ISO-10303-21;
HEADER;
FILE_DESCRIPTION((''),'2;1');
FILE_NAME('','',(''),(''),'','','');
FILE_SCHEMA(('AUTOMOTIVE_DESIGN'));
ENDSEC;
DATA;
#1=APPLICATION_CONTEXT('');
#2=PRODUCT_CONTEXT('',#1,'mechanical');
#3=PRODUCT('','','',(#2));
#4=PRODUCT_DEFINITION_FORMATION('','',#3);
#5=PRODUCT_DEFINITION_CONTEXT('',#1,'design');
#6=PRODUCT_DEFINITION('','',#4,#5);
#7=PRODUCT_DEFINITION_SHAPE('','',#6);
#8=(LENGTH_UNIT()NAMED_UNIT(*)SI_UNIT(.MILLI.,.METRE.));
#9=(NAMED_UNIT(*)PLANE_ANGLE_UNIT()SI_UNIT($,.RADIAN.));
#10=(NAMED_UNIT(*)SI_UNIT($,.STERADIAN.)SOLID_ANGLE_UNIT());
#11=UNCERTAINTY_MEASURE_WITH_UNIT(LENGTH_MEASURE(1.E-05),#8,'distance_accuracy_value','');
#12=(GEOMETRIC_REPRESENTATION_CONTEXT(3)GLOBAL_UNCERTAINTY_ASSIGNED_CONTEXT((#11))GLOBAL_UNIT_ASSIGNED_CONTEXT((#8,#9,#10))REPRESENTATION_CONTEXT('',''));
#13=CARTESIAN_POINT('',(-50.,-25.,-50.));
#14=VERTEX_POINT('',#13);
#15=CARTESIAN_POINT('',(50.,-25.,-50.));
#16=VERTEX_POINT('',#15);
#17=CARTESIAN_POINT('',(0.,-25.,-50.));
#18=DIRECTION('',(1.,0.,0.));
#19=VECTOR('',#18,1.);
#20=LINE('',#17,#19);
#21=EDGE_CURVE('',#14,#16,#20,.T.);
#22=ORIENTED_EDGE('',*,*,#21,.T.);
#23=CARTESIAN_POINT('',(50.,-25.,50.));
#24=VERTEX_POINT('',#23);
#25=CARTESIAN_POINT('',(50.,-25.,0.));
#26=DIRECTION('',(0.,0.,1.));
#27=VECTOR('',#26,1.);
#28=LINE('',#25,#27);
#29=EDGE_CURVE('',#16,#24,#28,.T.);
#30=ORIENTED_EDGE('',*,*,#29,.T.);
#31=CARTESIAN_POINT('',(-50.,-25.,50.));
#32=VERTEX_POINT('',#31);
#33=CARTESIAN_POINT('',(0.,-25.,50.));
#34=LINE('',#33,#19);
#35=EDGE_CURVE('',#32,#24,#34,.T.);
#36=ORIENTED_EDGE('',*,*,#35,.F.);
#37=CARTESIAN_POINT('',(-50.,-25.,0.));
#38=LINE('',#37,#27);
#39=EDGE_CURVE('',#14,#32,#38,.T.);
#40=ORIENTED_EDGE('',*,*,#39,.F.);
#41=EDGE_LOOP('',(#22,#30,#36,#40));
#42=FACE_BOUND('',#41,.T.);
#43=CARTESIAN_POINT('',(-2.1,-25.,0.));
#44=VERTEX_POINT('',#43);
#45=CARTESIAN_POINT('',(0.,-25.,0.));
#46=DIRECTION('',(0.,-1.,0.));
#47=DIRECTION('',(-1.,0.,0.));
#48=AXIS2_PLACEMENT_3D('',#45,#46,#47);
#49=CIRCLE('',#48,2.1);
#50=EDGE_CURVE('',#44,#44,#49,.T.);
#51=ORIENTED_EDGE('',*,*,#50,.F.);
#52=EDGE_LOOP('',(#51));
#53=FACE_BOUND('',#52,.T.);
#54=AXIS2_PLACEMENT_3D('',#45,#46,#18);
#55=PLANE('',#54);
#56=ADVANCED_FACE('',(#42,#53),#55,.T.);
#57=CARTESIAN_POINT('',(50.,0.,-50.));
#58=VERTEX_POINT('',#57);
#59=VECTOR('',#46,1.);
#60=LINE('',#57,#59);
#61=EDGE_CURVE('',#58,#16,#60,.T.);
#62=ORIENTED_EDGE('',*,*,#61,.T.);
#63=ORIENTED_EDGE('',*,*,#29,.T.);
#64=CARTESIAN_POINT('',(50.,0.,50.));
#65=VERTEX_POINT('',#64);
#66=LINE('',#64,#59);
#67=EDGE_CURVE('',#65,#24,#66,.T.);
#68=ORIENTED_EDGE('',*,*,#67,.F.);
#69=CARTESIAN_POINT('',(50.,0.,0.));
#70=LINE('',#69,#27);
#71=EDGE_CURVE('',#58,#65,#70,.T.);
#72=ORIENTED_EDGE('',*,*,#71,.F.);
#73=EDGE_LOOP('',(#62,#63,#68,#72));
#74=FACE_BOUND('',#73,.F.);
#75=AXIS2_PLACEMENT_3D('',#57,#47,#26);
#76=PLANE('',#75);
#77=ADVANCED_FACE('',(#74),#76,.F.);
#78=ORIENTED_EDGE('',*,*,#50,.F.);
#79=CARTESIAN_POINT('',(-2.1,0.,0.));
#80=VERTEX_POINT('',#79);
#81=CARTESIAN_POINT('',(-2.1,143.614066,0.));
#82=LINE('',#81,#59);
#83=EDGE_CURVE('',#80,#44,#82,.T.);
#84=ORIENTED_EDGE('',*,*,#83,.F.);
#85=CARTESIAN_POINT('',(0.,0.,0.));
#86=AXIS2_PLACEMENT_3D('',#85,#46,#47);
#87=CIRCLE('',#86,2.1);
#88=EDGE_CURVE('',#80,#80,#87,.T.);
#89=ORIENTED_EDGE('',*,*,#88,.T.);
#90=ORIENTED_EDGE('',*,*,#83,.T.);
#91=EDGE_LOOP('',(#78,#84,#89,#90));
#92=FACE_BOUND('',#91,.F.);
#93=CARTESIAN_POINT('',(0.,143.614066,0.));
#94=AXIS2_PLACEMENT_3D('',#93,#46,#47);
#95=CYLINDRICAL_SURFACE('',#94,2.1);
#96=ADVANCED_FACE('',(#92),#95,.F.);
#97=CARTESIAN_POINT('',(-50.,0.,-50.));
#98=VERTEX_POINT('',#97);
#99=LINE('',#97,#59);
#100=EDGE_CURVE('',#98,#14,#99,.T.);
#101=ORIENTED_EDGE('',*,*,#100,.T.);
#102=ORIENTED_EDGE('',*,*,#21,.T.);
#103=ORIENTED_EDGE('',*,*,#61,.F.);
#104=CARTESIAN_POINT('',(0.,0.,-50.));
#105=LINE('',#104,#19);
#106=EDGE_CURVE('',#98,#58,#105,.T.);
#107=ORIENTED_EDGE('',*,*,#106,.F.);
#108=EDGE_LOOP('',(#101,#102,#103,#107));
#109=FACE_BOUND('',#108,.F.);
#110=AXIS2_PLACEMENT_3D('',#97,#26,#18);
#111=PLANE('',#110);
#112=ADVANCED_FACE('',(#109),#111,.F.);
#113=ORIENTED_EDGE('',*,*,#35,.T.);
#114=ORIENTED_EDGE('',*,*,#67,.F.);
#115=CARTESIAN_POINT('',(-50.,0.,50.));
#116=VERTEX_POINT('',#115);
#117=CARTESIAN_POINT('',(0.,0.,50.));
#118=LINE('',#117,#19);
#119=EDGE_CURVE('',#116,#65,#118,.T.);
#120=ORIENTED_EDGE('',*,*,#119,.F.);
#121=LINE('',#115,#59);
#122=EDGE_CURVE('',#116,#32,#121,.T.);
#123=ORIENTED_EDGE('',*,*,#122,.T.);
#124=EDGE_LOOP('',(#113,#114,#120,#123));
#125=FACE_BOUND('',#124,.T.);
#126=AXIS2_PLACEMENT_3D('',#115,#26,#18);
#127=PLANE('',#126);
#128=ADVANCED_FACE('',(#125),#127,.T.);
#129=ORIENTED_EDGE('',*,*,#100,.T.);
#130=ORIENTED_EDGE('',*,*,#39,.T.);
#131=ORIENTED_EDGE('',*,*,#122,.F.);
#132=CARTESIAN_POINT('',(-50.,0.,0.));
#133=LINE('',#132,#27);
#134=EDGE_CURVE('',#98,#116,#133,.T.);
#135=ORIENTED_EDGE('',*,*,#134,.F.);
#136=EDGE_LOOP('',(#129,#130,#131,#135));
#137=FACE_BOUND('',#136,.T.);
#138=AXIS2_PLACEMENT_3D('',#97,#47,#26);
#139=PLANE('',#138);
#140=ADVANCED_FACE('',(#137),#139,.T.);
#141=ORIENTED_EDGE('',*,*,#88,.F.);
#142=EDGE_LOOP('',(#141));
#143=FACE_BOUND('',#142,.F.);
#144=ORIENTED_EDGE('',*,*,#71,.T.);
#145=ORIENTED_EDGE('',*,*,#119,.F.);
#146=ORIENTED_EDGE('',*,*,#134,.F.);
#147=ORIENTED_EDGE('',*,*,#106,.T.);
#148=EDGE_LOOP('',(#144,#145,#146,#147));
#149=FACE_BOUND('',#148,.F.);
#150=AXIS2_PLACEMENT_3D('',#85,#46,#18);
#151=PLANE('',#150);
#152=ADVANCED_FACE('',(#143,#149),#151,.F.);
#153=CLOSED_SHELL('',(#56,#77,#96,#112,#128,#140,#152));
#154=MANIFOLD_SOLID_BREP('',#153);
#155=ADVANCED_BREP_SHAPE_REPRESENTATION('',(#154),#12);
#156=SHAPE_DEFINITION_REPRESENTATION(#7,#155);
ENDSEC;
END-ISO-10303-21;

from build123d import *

# Parameters (mm, degrees)
F0_W     = 100
F0_H     = 100
F1_DEPTH = 25
F2_D     = 4.2


with BuildPart() as f1:
    # F0 (on Front) → F1 (new body)
    with BuildSketch(Plane.XZ):
        Rectangle(F0_W, F0_H)
    extrude(amount=F1_DEPTH)

    # F2 (through all)
    with Locations(Plane(origin=(0, 0, 0), x_dir=(1, 0, 0), z_dir=(0, 1, 0))):
        with Locations((0, 0)):
            Hole(F2_D / 2)


solid = f1.part
